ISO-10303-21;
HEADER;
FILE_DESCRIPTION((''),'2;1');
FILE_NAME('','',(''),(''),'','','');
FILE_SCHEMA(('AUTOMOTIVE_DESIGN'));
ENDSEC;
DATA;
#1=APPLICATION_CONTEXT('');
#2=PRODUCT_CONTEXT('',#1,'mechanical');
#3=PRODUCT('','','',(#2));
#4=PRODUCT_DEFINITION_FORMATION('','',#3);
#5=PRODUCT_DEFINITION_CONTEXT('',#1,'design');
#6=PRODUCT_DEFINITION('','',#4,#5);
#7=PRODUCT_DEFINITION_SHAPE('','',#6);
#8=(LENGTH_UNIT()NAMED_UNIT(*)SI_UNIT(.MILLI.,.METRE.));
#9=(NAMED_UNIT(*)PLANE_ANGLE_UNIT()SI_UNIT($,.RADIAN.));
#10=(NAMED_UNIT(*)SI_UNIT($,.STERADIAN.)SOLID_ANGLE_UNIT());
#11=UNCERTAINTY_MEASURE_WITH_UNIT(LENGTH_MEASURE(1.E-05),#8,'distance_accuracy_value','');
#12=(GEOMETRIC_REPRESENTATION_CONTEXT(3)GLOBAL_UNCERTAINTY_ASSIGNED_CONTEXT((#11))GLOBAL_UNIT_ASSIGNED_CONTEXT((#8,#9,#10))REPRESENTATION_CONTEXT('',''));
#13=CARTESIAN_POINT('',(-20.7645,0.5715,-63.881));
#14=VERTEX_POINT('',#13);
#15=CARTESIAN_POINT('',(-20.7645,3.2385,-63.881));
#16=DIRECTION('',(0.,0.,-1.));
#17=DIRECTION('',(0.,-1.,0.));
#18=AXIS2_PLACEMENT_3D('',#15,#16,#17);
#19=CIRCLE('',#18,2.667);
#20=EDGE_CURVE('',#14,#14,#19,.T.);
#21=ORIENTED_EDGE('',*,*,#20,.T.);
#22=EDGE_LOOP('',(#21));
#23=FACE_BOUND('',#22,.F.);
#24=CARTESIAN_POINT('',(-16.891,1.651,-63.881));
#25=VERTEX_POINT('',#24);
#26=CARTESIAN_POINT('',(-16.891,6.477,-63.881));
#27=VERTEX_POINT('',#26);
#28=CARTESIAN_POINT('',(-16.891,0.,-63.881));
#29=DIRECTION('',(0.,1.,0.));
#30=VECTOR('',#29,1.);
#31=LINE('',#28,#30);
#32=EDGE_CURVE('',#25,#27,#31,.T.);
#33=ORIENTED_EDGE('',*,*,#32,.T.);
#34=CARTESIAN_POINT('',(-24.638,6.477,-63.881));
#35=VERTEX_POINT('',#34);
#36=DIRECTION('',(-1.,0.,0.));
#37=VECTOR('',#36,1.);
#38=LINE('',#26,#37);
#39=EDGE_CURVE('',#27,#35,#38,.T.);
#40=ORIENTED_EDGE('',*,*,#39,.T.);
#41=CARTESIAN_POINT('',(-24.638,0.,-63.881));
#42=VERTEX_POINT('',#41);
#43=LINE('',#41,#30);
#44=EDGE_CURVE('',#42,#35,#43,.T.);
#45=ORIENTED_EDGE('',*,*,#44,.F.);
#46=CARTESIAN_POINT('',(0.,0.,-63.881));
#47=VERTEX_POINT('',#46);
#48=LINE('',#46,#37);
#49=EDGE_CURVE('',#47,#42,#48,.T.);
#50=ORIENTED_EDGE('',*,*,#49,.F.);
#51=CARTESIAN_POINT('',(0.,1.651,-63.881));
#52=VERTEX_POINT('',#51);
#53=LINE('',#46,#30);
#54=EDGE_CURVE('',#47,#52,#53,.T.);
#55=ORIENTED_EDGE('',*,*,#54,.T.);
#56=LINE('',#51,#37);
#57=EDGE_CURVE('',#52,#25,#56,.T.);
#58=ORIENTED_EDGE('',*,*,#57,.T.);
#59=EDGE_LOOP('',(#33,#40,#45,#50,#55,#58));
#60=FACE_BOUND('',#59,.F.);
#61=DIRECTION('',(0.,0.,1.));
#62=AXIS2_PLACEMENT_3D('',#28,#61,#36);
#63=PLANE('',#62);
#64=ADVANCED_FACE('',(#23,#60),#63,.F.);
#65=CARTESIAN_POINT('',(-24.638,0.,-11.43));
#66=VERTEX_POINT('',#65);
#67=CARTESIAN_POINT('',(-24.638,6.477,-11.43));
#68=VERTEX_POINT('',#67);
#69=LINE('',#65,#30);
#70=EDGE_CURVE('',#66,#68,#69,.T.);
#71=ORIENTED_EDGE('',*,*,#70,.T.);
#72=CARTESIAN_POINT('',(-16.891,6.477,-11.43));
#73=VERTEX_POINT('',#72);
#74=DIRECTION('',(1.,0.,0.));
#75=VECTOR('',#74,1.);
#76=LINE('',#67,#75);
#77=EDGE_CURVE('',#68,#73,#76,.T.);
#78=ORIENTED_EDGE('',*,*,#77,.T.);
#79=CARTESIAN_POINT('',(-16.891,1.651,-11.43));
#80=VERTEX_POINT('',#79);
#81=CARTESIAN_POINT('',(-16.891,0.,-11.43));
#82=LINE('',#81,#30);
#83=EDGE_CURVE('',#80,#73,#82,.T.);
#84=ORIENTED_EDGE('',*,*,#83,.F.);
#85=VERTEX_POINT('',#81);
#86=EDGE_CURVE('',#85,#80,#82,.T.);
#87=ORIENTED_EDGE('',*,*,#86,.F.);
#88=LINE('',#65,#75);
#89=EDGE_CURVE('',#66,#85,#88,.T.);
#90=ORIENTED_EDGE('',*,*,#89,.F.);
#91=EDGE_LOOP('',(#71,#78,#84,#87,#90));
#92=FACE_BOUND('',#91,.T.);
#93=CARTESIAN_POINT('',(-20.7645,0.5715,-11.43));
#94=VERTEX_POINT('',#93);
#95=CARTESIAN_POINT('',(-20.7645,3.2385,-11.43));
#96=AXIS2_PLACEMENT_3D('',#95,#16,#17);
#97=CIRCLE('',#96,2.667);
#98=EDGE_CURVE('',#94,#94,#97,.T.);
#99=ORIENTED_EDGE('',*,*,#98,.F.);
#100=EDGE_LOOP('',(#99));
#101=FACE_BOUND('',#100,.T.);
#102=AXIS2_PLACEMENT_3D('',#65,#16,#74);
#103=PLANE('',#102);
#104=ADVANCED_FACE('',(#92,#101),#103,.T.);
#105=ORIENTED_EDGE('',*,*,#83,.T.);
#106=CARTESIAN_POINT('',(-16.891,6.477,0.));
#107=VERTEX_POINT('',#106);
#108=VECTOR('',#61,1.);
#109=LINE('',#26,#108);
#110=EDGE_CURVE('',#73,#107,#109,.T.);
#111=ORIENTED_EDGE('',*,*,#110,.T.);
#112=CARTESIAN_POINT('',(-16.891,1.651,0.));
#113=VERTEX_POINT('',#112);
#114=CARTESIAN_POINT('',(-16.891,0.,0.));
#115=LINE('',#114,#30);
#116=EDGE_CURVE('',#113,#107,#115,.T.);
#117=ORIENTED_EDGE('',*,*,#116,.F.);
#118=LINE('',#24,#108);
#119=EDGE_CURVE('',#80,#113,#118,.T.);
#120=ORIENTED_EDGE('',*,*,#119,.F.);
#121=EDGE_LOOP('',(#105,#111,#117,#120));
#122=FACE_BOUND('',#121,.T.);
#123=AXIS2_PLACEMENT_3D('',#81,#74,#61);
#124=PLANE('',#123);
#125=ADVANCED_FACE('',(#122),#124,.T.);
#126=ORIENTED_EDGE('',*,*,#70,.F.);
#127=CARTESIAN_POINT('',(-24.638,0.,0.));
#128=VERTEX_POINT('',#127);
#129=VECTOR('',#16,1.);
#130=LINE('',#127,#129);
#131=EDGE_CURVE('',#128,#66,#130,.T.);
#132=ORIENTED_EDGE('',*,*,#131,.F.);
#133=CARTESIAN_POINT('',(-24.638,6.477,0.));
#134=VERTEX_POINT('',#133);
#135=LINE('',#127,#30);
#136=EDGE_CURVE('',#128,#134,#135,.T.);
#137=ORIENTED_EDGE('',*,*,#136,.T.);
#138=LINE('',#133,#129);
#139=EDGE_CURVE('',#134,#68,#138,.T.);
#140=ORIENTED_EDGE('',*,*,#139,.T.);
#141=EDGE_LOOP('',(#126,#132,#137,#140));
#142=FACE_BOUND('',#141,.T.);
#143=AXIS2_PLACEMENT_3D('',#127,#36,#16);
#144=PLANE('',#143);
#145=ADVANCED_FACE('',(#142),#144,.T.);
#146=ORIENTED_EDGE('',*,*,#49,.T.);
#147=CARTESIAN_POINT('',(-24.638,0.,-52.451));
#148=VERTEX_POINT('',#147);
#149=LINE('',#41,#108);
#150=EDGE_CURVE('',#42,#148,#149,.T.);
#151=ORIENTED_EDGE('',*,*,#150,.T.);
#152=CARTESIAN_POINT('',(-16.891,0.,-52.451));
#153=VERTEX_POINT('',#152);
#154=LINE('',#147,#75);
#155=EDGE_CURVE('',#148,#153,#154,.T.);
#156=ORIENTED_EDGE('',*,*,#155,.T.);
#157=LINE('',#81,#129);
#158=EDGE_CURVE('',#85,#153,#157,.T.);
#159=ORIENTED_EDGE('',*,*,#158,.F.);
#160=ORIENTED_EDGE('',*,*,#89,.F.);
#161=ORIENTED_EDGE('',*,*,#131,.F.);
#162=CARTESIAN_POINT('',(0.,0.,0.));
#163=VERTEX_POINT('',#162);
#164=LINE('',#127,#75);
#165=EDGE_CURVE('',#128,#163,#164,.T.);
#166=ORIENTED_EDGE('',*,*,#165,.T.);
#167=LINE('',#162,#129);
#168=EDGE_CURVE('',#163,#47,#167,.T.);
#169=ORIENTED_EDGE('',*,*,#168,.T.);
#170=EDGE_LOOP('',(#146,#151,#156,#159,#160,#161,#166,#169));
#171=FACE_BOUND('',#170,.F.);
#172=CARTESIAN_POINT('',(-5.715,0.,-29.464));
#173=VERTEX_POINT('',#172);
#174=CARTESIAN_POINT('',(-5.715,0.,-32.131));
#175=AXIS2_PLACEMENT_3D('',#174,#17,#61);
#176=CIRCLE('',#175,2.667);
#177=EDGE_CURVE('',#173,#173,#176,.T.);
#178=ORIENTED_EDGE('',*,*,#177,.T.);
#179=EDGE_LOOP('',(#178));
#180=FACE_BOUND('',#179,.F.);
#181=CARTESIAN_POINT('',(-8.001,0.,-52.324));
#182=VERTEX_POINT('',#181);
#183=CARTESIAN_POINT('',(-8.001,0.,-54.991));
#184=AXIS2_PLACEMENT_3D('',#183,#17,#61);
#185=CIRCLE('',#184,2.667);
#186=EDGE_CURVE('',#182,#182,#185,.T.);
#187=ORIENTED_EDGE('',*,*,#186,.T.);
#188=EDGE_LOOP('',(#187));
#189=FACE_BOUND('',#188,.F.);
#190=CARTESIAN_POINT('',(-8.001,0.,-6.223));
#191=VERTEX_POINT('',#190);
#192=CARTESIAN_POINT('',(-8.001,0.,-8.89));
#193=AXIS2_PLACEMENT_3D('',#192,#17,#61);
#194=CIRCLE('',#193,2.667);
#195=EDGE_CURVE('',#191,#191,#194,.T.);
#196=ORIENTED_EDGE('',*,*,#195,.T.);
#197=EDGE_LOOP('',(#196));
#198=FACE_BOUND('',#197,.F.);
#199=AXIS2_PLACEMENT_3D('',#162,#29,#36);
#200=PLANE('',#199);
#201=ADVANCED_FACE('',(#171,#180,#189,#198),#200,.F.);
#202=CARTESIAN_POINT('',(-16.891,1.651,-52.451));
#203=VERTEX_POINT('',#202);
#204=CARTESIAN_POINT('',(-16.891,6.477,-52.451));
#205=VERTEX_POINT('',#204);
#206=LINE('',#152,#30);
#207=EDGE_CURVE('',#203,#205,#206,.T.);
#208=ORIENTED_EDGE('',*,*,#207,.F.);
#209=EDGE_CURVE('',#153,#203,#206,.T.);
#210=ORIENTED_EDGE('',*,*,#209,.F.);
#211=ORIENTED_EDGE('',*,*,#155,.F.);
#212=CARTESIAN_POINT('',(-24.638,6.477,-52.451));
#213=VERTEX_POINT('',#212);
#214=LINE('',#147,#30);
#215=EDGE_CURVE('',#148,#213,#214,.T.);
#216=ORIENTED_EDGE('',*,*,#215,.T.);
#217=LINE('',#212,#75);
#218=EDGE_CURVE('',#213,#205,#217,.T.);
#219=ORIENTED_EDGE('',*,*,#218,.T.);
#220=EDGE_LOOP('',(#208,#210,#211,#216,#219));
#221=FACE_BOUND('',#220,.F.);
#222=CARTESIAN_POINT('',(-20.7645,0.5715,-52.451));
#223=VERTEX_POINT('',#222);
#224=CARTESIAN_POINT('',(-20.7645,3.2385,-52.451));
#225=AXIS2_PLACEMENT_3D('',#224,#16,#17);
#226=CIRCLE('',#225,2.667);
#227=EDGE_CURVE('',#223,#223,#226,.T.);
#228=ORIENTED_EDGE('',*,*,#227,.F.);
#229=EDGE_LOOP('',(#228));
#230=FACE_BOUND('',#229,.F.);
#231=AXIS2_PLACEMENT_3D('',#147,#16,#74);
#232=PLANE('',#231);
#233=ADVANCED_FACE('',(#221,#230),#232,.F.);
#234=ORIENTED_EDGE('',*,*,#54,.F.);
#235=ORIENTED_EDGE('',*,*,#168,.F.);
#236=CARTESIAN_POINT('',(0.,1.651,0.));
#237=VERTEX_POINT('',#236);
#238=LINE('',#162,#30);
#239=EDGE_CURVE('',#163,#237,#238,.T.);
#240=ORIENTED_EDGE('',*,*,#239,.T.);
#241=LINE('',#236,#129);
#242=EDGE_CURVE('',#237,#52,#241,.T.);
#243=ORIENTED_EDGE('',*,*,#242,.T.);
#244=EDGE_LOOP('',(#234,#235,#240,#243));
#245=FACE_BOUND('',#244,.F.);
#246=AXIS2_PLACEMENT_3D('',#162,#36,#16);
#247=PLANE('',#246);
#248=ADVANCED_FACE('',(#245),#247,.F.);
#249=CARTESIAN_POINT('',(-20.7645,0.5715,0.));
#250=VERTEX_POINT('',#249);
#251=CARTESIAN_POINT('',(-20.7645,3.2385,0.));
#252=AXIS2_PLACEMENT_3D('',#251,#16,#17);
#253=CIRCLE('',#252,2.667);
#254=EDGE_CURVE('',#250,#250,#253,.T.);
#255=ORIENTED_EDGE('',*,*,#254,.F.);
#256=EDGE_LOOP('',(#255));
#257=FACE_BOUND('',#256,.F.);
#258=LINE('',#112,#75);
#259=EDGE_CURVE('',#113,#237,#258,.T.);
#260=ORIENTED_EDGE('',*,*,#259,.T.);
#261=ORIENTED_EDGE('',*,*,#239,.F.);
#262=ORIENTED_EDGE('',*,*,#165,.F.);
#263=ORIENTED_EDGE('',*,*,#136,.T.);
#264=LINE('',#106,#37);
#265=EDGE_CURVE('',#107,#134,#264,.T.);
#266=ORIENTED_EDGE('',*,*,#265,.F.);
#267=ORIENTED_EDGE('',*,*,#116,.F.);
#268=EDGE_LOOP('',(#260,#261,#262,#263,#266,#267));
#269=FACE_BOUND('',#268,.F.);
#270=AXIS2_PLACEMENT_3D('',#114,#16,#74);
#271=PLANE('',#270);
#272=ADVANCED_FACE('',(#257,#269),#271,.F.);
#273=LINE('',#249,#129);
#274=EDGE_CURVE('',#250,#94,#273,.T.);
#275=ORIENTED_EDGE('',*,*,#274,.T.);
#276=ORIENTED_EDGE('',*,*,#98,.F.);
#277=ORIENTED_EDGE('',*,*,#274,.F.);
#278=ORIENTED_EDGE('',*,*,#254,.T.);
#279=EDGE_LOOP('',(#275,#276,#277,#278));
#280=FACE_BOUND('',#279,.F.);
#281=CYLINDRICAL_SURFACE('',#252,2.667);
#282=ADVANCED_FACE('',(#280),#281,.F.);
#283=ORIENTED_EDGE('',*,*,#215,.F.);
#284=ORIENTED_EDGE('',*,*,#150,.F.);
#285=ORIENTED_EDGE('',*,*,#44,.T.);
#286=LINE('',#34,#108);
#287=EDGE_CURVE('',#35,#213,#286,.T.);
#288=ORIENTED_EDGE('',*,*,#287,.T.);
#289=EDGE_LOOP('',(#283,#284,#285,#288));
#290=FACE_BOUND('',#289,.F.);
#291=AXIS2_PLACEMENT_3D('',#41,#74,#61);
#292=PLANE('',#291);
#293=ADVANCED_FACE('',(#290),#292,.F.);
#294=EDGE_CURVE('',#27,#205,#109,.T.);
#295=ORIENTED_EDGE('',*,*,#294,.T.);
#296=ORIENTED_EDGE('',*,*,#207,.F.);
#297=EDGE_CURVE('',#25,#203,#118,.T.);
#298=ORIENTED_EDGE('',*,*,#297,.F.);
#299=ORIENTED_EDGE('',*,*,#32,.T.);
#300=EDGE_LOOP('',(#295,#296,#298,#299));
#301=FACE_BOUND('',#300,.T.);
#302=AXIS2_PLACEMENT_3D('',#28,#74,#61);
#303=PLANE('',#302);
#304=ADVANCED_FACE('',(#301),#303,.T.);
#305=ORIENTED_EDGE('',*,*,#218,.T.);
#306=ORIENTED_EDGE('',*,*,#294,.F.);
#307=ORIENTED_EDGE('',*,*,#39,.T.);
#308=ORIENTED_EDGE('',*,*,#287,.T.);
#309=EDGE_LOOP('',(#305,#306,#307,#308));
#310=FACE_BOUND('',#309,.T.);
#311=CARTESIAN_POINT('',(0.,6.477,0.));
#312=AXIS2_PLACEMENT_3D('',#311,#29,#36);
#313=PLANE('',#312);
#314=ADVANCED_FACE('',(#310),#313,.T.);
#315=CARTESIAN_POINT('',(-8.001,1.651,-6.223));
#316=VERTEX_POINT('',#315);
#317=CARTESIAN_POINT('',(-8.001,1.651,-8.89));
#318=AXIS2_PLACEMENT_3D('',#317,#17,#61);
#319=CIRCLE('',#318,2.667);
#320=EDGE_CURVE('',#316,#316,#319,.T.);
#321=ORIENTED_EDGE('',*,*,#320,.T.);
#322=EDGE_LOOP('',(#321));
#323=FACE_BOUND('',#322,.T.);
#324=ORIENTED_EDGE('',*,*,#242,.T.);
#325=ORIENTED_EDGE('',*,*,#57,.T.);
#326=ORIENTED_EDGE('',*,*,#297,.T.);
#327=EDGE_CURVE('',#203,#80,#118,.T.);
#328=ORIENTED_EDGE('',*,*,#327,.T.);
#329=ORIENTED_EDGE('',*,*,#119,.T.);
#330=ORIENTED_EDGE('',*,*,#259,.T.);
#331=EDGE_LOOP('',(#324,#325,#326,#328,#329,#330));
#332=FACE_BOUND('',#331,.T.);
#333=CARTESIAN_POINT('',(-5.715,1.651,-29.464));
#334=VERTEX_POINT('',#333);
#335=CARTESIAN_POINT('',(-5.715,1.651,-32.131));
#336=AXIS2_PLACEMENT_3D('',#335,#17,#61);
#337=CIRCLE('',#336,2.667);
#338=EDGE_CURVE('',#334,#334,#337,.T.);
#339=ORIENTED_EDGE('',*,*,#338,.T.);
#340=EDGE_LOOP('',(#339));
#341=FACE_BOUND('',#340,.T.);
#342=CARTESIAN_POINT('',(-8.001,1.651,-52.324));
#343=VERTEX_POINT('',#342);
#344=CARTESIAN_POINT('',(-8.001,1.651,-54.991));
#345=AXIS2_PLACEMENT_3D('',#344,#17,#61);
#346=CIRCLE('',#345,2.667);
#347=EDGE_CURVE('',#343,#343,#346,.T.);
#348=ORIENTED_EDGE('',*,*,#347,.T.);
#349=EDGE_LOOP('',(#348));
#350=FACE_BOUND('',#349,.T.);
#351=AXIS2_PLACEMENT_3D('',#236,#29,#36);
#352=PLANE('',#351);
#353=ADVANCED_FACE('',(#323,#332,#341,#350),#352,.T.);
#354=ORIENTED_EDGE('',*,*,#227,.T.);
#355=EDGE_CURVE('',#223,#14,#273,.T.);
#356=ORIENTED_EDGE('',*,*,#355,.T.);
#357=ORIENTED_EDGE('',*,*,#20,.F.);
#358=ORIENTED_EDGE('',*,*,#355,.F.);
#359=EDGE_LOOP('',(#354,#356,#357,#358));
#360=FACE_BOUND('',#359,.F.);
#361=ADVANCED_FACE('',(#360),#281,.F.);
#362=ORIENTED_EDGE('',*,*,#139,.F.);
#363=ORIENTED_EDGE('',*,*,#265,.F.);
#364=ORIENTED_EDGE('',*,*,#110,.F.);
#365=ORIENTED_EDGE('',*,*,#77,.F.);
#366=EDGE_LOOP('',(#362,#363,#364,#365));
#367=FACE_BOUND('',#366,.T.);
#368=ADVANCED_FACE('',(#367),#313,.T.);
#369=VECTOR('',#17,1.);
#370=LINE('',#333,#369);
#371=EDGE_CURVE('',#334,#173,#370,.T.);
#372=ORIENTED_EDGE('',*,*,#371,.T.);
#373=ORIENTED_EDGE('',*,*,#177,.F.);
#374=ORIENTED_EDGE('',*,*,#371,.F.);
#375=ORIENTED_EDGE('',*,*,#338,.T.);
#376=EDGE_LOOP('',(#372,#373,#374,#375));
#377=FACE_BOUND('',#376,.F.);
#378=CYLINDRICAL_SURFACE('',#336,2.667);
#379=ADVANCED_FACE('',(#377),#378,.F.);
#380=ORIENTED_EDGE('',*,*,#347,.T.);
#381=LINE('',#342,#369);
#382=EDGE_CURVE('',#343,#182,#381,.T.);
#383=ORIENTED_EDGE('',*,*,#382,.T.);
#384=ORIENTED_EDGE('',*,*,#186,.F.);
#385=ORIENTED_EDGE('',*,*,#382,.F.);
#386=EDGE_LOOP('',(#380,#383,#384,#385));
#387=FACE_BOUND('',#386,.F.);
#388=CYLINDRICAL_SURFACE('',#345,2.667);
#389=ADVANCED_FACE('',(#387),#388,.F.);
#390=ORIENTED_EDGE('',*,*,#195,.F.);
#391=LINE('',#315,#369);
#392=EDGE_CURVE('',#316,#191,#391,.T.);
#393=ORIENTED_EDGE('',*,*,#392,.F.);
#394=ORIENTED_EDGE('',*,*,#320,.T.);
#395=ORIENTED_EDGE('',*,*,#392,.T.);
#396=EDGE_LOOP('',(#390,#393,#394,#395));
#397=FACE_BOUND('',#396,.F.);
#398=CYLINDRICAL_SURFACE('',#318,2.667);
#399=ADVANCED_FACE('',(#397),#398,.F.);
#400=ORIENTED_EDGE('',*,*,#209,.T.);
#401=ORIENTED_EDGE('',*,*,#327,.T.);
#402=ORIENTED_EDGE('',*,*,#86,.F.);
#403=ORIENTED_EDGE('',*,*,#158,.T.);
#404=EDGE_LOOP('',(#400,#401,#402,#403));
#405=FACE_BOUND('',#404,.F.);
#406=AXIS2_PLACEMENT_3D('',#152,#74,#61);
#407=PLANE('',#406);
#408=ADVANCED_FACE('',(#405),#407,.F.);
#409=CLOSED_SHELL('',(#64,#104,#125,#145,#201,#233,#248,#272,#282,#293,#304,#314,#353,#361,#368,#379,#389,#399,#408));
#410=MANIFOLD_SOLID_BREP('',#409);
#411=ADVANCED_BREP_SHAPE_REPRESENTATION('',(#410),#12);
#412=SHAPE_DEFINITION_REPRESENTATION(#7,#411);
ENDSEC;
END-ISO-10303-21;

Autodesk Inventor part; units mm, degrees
ref_plane "YZ Plane" through (0, 0, 0) normal (1, 0, 0) x (0, 1, 0)
ref_plane "XZ Plane" through (0, 0, 0) normal (0, 1, 0) x (-1, 0, 0)
ref_plane "XY Plane" through (0, 0, 0) normal (0, 0, 1) x (1, 0, 0)
sketch "Sketch1" plane through (0, 0, 0) normal (0, 1, 0) x (-1, 0, 0)
  line L0 (0, 0) -> (0, -63.881)
  line L1 (0, -63.881) -> (16.891, -63.881)
  line L2 (16.891, -63.881) -> (16.891, 0)
  line L3 (16.891, 0) -> (0, 0)
  line L4 (16.891, 0) -> (24.638, 0)
  line L5 (24.638, 0) -> (24.638, -11.43)
  line L6 (24.638, -11.43) -> (16.891, -11.43)
  line L7 (16.891, -63.881) -> (24.638, -63.881)
  line L8 (24.638, -63.881) -> (24.638, -52.451)
  line L9 (24.638, -52.451) -> (16.891, -52.451)
  dimension "d0" = 63.881
  dimension "d1" = 16.891
  dimension "d2" = 7.747
  dimension "d3" = 11.43
  dimension "d4" = 7.747
  dimension "d5" = 11.43
extrude "Extrusion1" add sketch "Sketch1" along normal blind 1.651 contours L3 L2 L1 L0
extrude "Extrusion2" add sketch "Sketch1" along normal blind 6.477 contours L4 L5 L6 L2
extrude "Extrusion3" add sketch "Sketch1" along normal blind 6.477 contours L2 L9 L8 L7
hole "Hole1" at (-8.001, 1.651, -8.89) direction (0, -1, 0) diameter 5.334 end through all
hole "Hole2" at (-8.001, 1.651, -54.991) direction (0, -1, 0) diameter 5.334 end through all
hole "Hole3" at (-5.715, 1.651, -32.131) direction (0, -1, 0) diameter 5.334 end through all
hole "Hole4" at (-20.7645, 3.2385, 0) direction (0, 0, -1) diameter 5.334 end through all
properties part number "door hinge for conveyor"
